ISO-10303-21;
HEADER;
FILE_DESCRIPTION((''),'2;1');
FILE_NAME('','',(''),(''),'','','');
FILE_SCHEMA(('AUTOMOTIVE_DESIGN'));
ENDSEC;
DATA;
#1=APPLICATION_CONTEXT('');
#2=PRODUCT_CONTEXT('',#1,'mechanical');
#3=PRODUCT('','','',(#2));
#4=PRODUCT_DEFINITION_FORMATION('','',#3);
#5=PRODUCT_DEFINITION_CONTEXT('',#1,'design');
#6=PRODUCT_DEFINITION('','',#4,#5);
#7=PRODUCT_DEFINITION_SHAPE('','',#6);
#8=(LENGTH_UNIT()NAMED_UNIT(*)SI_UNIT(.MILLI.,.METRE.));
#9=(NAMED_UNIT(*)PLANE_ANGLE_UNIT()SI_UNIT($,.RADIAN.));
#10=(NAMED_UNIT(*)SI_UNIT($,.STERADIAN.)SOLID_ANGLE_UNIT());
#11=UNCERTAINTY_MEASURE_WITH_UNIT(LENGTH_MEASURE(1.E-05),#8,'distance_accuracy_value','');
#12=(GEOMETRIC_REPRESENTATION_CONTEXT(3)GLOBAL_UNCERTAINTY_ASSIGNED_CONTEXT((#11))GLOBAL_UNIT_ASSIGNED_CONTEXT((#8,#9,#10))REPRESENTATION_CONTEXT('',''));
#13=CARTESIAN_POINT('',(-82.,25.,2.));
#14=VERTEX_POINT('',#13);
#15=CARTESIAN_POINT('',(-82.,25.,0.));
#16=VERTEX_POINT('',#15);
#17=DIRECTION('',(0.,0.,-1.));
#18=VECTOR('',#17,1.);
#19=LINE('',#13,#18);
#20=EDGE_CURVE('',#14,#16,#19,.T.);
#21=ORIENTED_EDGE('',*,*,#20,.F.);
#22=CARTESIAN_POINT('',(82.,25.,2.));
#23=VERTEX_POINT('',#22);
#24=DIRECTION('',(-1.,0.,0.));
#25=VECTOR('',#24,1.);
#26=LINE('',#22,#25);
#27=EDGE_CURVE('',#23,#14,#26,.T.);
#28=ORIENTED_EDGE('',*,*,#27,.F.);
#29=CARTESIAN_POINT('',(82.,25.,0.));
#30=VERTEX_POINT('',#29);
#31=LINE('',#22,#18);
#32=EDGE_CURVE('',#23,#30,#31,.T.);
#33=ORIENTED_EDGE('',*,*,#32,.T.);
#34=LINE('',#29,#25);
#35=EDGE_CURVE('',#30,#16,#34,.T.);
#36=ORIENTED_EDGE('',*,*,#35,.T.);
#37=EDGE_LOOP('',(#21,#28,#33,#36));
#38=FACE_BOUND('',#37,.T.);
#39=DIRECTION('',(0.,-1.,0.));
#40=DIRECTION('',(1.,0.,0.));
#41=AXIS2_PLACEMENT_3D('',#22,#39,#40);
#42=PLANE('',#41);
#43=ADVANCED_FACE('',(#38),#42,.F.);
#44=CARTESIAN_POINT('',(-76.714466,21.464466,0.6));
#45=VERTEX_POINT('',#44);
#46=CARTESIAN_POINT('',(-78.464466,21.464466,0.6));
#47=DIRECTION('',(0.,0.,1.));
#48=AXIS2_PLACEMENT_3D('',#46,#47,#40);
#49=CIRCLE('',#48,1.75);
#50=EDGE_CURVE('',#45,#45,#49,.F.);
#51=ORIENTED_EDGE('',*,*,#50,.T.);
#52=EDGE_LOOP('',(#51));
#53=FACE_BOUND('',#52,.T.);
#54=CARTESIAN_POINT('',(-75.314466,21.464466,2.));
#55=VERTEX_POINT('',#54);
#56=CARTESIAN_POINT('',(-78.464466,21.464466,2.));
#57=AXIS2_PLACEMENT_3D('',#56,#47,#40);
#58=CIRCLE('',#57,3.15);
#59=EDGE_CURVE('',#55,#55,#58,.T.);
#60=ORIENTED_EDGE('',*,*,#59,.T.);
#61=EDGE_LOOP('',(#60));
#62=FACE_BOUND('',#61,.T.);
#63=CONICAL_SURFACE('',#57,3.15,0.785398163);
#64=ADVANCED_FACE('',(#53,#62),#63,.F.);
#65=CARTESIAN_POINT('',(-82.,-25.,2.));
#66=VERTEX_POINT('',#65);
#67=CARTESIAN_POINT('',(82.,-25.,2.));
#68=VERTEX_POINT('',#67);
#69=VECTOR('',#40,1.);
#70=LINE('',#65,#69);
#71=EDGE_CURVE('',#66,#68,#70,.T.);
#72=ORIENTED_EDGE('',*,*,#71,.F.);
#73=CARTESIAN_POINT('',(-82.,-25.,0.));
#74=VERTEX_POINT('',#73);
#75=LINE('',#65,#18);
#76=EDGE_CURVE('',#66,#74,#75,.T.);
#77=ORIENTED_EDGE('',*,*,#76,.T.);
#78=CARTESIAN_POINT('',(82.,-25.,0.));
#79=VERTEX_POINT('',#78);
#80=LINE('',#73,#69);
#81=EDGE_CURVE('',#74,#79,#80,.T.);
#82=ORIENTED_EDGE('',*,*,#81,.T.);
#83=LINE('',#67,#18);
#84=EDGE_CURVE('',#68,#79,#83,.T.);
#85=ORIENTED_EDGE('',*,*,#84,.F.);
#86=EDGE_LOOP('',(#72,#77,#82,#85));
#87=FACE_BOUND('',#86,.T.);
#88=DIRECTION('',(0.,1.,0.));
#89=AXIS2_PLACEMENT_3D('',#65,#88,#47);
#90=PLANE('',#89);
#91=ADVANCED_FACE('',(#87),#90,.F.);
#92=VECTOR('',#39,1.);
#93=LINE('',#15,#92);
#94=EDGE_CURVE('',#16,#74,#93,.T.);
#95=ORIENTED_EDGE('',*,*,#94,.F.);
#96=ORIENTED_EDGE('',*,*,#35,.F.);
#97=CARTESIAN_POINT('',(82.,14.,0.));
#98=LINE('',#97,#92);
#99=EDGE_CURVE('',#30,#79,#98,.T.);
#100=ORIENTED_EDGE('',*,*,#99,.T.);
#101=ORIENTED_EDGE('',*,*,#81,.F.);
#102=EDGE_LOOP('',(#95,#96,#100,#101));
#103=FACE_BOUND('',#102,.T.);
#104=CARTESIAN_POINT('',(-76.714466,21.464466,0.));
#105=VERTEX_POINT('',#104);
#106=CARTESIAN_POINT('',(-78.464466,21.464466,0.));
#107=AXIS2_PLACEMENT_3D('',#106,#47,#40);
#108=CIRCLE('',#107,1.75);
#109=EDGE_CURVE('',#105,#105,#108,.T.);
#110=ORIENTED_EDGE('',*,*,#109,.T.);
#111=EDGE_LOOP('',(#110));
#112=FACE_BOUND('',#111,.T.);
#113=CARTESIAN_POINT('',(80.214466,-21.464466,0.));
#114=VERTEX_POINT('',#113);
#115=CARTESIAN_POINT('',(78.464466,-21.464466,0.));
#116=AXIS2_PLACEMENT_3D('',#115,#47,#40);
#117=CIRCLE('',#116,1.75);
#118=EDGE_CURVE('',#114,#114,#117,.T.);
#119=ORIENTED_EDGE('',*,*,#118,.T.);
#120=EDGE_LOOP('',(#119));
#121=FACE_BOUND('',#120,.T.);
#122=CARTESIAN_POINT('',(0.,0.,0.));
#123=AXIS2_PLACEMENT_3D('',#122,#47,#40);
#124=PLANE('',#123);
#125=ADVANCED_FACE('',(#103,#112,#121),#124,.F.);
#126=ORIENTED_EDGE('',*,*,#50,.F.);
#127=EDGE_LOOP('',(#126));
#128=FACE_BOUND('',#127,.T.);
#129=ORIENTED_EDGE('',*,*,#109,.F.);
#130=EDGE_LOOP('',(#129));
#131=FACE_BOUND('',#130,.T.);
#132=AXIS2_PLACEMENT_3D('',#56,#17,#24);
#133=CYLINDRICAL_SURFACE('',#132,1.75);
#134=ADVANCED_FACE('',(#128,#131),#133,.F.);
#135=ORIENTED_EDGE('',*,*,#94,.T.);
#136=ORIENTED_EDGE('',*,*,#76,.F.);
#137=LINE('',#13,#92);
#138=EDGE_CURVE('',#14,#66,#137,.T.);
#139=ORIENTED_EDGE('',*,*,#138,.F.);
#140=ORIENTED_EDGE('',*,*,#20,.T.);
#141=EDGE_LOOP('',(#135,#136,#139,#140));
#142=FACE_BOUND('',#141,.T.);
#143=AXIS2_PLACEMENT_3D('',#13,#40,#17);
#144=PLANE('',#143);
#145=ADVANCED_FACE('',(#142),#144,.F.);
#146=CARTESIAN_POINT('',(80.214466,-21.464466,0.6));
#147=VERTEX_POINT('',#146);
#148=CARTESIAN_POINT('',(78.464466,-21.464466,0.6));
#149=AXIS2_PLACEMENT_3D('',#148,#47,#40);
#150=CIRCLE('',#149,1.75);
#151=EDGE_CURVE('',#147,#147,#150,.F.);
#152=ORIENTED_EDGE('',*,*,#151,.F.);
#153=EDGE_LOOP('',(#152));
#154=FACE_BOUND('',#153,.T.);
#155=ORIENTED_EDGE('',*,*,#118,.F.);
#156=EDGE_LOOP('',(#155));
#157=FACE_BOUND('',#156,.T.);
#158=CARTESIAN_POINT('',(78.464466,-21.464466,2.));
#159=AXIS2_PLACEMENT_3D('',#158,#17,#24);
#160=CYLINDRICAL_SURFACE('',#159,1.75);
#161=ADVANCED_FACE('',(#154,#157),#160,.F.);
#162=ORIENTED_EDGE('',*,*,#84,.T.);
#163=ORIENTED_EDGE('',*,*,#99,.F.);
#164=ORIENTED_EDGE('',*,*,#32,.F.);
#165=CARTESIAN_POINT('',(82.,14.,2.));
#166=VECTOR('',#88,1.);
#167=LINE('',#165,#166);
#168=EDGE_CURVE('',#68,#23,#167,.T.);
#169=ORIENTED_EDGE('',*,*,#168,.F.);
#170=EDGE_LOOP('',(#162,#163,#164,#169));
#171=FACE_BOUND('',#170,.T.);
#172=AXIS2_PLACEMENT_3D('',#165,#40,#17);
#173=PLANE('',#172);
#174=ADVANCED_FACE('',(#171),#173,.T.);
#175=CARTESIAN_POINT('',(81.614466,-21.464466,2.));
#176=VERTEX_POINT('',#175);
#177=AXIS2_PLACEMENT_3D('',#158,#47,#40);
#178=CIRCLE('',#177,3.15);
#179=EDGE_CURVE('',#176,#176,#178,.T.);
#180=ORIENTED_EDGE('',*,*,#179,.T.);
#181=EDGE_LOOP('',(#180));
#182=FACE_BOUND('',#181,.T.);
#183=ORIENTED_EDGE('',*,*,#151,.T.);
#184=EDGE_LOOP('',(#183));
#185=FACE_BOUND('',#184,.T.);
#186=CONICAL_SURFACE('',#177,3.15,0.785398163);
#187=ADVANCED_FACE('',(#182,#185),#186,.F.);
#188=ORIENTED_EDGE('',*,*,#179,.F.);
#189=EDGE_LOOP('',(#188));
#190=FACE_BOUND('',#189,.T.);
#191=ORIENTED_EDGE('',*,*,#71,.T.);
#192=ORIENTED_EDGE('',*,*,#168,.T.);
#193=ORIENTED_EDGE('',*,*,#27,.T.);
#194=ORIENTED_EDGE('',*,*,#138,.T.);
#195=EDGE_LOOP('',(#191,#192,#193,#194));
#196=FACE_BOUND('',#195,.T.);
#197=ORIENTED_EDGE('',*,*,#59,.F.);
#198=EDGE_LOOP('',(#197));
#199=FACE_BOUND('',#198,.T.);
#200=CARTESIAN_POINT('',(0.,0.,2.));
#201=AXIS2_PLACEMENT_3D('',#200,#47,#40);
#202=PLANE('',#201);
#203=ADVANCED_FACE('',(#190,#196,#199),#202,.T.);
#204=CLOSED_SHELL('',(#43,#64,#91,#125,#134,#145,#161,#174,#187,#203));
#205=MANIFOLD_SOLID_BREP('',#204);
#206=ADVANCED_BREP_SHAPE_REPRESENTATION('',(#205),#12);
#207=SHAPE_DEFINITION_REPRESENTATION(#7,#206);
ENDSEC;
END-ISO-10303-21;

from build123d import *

# Parameters (mm, degrees)
SKETCH1_R                                      = 1.75
BOSS_EXTRUDE1_DEPTH                            = 2
CSK_FOR_M3_FLAT_HEAD_MACHINE_SCREW1_AT_2_COUNT = 2
CSK_FOR_M3_FLAT_HEAD_MACHINE_SCREW1_AT_2_PITCH = 162.694753992


with BuildPart() as part:
    # Sketch1 → Boss-Extrude1 (new body)
    with BuildSketch(Plane.XY):
        Polygon((82, 14), (82, 25), (-82, 25), (-82, -25), (82, -25), (82, -14), align=None)
        with Locations((78.464466094, -21.464466094)):
            Circle(SKETCH1_R, mode=Mode.SUBTRACT)
        with Locations((-78.464466094, 21.464466094)):
            Circle(SKETCH1_R, mode=Mode.SUBTRACT)
    extrude(amount=BOSS_EXTRUDE1_DEPTH)

    # Sketch2 → CSK for M3 Flat Head Machine Screw1 (revolve, cut)
    with BuildSketch(Plane(origin=(-78.464466094, 21.464466094, 2), x_dir=(0, -1, 0), z_dir=(1, 0, 0))):
        Polygon((0, 0), (0, 2), (1.7, 2), (1.7, 1.45), (3.15, 0), align=None)
    csk_for_m3_flat_head_machine_screw1 = revolve(axis=Axis((-78.464466094, 21.464466094, 8.35), (0, 0, -1)), mode=Mode.SUBTRACT)

    # CSK for M3 Flat Head Machine Screw1 at 2: CSK for M3 Flat Head Machine Screw1 ×2
    with Locations(*[Vector(0.9645604934246289, -0.26386180952240207, 0) * (i * CSK_FOR_M3_FLAT_HEAD_MACHINE_SCREW1_AT_2_PITCH) for i in range(1, CSK_FOR_M3_FLAT_HEAD_MACHINE_SCREW1_AT_2_COUNT)]):
        add(csk_for_m3_flat_head_machine_screw1, mode=Mode.SUBTRACT)


solid = part.part
